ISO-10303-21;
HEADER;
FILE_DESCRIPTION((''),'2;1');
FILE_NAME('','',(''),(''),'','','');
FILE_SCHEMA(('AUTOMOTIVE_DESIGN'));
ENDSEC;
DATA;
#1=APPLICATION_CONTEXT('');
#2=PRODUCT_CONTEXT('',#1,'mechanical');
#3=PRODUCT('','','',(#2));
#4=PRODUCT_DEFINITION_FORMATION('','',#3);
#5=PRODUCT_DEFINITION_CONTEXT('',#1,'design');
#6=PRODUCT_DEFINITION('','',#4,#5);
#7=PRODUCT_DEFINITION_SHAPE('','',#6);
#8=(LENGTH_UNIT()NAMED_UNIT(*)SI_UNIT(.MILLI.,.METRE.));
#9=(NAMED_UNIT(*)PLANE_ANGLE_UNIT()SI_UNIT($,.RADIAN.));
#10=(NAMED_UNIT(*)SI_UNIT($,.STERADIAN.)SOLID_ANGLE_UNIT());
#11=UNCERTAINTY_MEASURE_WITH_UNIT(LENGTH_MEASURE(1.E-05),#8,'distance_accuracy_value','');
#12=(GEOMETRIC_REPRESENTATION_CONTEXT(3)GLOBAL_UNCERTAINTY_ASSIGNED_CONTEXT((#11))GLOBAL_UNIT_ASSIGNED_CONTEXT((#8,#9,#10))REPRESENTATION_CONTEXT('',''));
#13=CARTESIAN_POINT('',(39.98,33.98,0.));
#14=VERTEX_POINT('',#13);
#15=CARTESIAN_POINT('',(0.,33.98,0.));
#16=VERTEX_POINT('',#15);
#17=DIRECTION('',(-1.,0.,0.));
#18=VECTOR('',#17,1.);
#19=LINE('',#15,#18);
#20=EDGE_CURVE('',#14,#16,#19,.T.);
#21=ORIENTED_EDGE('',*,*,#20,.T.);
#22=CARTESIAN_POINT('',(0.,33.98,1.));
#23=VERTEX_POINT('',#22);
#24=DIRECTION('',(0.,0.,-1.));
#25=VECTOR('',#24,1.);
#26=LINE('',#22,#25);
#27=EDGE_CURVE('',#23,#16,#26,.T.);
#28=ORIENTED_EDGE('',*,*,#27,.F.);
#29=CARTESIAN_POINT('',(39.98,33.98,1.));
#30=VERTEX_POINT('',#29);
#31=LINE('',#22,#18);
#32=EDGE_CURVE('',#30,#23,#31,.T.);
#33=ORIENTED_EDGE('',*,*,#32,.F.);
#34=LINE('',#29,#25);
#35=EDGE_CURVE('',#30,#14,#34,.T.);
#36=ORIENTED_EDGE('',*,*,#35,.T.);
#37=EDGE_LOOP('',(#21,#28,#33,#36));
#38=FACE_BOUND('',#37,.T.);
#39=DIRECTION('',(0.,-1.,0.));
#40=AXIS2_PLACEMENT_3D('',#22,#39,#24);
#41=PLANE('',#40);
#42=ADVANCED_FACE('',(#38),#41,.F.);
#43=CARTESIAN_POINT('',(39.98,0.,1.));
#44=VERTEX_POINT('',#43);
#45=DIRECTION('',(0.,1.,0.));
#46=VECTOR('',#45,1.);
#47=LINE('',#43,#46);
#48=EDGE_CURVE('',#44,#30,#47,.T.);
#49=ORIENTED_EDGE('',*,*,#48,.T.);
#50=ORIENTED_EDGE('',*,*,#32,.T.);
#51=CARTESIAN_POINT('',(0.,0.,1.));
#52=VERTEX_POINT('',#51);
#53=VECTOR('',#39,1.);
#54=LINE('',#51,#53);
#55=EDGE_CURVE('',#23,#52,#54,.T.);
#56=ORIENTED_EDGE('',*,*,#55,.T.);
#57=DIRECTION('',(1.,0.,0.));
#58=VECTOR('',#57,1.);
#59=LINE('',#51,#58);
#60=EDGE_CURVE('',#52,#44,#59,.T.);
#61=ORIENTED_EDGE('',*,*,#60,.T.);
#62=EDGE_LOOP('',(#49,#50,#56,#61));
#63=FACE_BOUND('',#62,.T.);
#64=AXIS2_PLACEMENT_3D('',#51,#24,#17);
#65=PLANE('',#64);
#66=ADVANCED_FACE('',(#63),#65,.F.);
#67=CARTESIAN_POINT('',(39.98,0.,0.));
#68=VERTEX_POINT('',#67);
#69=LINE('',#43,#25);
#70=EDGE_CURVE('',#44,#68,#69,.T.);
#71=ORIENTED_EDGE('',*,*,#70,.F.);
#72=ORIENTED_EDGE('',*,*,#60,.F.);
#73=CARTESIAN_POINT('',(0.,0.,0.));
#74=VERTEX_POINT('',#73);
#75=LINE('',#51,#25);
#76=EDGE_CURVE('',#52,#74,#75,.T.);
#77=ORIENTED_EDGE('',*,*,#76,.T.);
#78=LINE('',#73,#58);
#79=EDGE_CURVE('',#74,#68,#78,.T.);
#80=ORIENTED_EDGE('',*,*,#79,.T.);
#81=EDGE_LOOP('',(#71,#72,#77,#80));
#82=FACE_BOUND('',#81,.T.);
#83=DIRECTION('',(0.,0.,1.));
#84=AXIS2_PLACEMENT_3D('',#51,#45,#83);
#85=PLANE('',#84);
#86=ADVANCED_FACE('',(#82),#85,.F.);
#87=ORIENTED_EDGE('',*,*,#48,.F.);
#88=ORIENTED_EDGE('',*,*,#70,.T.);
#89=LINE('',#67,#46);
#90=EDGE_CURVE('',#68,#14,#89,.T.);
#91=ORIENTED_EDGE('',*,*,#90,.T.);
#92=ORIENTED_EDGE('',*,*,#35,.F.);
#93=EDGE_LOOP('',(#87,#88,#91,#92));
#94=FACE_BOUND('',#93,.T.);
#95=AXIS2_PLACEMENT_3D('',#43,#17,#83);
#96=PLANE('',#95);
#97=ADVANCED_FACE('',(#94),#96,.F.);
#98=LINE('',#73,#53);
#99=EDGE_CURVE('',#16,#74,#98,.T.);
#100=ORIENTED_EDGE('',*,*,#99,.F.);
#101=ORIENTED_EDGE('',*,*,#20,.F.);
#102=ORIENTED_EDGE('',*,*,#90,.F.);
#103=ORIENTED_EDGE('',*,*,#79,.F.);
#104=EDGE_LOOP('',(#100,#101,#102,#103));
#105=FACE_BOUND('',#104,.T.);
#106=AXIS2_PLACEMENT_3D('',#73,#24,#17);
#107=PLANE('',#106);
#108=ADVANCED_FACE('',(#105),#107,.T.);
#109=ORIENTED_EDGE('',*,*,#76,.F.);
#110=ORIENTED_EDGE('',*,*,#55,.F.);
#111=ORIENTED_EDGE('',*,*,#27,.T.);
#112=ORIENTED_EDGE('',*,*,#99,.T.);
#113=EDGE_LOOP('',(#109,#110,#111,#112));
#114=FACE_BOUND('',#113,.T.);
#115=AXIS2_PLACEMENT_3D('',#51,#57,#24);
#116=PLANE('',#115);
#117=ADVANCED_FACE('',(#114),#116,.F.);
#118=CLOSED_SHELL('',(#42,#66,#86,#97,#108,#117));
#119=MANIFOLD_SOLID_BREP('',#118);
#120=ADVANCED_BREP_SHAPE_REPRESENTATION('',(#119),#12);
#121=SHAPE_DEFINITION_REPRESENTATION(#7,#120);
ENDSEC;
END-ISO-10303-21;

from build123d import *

# Parameters (mm, degrees)
ESBO_O1_W                = 39.98
ESBO_O1_H                = 33.98
RESSALTO_EXTRUS_O1_DEPTH = 1


with BuildPart() as part:
    # Esboço1 → Ressalto-extrusão1 (new body)
    with BuildSketch(Plane.XY):
        with Locations((19.99, 16.99)):
            Rectangle(ESBO_O1_W, ESBO_O1_H)
    extrude(amount=RESSALTO_EXTRUS_O1_DEPTH)


solid = part.part
